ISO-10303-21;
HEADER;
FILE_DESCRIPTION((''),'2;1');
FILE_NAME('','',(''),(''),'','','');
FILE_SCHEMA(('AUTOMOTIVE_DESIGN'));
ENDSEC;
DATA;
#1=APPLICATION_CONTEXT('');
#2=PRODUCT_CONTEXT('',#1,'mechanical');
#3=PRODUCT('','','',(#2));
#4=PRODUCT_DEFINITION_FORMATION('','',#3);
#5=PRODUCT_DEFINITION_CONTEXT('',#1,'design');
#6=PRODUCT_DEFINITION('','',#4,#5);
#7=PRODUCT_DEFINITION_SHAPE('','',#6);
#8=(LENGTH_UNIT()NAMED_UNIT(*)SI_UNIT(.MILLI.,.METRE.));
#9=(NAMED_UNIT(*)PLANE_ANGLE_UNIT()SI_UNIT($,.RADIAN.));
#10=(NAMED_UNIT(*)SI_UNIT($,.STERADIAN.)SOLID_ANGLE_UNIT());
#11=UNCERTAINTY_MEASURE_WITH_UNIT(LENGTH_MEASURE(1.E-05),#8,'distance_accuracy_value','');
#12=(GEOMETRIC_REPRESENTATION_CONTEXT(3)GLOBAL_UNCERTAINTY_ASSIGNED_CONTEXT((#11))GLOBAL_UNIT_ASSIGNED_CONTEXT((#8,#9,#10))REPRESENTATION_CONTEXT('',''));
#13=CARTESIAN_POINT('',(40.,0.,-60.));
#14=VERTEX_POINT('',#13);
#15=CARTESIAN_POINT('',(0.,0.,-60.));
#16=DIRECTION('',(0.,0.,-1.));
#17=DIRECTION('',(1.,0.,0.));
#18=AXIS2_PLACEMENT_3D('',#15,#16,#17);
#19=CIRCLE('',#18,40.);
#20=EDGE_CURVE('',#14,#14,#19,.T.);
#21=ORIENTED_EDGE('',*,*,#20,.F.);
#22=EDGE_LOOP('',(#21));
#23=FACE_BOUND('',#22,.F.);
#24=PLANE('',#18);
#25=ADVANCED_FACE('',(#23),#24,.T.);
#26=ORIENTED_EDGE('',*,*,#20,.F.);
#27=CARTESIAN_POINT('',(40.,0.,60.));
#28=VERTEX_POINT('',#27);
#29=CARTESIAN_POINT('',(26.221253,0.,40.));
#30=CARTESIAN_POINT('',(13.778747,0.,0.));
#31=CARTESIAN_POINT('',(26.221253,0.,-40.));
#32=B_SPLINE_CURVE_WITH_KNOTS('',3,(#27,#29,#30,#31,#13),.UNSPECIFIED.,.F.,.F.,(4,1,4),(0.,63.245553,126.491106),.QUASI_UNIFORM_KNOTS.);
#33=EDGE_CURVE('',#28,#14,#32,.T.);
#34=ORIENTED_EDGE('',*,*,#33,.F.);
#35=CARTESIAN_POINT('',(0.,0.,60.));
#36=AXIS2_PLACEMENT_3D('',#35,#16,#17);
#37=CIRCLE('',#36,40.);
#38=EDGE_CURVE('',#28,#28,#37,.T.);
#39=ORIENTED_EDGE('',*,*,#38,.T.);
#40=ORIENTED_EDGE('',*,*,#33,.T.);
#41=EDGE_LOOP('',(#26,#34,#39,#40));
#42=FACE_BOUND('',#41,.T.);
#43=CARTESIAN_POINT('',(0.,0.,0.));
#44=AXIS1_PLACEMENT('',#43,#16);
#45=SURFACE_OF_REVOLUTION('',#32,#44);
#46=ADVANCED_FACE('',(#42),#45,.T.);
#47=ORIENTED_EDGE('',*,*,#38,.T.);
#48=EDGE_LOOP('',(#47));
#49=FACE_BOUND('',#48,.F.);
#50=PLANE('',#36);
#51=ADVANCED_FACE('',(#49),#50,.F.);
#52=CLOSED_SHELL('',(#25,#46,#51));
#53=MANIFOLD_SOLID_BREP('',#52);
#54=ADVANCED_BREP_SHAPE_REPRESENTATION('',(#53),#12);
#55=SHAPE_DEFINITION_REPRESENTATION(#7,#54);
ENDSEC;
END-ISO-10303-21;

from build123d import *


with BuildPart() as f1:
    # F0 (on Front) → F1 (revolve)
    with BuildSketch(Plane.XZ):
        with BuildLine():
            Line((0, 60), (0, 56.724097))
            Line((0, 56.724097), (0, -56.681433))
            Line((0, -56.681433), (0, -60))
            Line((0, -60), (40, -60))
            add(Edge.make_bspline(
                [(40, 60), (26.221253, 40), (13.778747, 0), (26.221253, -40), (40, -60)],
                knots=[0, 0, 0, 0, 63.245553, 126.491106, 126.491106, 126.491106, 126.491106], degree=3))
            Line((40, 60), (0, 60))
        make_face()
    revolve(axis=Axis((0, 0, 0), (0, 0, -1)))


solid = f1.part
